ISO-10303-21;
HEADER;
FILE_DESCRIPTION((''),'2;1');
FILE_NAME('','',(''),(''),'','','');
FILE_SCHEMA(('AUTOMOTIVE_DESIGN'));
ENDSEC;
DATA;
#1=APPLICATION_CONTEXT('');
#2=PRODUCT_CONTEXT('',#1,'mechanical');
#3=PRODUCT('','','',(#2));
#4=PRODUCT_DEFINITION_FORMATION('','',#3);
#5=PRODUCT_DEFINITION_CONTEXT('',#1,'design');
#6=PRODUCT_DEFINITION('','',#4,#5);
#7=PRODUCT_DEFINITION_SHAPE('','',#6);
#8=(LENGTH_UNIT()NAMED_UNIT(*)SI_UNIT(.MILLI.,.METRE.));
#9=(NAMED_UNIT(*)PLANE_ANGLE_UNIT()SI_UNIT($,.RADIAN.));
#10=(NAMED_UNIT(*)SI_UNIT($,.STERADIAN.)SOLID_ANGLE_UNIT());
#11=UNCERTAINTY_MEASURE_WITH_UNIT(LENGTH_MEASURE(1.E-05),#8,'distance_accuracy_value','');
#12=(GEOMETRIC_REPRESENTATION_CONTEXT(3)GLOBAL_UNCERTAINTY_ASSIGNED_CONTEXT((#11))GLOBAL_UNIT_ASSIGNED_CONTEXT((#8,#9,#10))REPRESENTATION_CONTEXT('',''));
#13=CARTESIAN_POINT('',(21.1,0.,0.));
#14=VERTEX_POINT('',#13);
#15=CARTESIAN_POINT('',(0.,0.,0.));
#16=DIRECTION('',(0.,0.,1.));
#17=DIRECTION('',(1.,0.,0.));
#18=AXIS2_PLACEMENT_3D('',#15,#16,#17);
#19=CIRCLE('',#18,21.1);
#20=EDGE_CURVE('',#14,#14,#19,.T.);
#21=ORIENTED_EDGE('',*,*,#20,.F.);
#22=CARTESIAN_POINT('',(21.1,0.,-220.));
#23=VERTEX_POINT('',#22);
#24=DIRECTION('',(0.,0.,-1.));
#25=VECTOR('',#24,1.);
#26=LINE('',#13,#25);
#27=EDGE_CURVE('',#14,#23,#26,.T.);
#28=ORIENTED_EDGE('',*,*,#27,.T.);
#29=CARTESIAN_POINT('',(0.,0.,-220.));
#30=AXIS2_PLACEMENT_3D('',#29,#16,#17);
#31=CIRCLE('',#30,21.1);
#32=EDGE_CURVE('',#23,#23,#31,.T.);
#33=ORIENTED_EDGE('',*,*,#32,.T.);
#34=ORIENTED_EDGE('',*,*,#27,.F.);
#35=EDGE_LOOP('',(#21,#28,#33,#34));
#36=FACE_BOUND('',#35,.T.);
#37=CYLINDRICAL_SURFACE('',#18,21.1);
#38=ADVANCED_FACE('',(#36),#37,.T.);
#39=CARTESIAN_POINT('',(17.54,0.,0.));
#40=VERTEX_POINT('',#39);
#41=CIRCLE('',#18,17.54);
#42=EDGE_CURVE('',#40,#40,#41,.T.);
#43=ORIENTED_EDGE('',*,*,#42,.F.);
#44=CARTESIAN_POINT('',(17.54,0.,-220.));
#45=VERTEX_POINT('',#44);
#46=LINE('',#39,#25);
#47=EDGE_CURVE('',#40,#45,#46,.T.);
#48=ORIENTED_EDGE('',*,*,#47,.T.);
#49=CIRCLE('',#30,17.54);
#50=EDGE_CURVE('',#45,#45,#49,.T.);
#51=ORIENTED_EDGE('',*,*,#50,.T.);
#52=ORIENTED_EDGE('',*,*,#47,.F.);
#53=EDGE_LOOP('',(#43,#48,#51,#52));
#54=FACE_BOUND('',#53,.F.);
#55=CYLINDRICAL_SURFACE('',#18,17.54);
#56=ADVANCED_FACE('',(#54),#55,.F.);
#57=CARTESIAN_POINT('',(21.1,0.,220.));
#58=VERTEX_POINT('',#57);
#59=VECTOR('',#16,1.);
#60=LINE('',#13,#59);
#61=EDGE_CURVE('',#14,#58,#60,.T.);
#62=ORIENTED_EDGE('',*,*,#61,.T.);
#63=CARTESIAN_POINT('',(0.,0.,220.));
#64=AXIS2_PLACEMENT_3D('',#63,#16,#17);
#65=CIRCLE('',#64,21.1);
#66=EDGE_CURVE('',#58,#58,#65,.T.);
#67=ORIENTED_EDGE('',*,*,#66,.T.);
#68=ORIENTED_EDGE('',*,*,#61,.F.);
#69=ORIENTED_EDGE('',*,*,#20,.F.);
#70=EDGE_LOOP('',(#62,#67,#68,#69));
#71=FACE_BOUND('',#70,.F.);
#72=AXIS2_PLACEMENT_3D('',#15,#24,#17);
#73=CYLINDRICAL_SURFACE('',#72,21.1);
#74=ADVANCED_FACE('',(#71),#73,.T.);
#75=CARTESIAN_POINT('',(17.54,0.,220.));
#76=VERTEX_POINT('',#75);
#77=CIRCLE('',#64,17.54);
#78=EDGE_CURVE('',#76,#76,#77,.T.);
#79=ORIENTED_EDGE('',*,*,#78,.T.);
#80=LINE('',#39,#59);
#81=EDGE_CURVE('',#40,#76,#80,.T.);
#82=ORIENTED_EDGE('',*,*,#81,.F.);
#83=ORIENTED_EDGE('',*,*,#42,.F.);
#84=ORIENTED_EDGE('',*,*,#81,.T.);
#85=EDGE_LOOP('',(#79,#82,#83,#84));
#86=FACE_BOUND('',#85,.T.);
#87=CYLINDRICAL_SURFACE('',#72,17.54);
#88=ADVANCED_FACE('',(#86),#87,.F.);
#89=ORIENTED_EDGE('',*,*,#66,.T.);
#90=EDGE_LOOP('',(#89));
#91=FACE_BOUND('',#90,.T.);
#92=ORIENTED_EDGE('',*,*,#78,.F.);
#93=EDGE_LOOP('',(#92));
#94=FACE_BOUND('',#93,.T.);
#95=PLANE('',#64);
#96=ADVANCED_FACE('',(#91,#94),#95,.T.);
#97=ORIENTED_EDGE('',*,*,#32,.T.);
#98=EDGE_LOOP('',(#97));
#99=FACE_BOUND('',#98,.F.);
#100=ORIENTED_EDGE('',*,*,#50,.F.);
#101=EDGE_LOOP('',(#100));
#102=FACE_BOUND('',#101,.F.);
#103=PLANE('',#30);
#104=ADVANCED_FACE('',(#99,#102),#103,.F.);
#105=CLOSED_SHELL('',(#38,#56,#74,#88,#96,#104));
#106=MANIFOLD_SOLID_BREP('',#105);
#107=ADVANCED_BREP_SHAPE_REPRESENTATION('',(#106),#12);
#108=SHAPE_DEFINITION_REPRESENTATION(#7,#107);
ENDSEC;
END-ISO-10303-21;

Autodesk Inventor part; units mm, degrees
ref_plane "YZ Plane" through (0, 0, 0) normal (1, 0, 0) x (0, 1, 0)
ref_plane "XZ Plane" through (0, 0, 0) normal (0, 1, 0) x (-1, 0, 0)
ref_plane "XY Plane" through (0, 0, 0) normal (0, 0, 1) x (1, 0, 0)
sketch "Sketch1" plane through (0, 0, 0) normal (0, 0, 1) x (1, 0, 0)
  circle A0 centre (0, 0) radius 21.1
  circle A1 centre (0, 0) radius 17.54
  dimension "OD" = 42.2
  dimension "t" = 3.56
extrude "Extrusion1" add sketch "Sketch1" along normal mid plane 440
equation "\"size\" = 7"
properties part number "ST" material "Aluminium 6082 T6"
